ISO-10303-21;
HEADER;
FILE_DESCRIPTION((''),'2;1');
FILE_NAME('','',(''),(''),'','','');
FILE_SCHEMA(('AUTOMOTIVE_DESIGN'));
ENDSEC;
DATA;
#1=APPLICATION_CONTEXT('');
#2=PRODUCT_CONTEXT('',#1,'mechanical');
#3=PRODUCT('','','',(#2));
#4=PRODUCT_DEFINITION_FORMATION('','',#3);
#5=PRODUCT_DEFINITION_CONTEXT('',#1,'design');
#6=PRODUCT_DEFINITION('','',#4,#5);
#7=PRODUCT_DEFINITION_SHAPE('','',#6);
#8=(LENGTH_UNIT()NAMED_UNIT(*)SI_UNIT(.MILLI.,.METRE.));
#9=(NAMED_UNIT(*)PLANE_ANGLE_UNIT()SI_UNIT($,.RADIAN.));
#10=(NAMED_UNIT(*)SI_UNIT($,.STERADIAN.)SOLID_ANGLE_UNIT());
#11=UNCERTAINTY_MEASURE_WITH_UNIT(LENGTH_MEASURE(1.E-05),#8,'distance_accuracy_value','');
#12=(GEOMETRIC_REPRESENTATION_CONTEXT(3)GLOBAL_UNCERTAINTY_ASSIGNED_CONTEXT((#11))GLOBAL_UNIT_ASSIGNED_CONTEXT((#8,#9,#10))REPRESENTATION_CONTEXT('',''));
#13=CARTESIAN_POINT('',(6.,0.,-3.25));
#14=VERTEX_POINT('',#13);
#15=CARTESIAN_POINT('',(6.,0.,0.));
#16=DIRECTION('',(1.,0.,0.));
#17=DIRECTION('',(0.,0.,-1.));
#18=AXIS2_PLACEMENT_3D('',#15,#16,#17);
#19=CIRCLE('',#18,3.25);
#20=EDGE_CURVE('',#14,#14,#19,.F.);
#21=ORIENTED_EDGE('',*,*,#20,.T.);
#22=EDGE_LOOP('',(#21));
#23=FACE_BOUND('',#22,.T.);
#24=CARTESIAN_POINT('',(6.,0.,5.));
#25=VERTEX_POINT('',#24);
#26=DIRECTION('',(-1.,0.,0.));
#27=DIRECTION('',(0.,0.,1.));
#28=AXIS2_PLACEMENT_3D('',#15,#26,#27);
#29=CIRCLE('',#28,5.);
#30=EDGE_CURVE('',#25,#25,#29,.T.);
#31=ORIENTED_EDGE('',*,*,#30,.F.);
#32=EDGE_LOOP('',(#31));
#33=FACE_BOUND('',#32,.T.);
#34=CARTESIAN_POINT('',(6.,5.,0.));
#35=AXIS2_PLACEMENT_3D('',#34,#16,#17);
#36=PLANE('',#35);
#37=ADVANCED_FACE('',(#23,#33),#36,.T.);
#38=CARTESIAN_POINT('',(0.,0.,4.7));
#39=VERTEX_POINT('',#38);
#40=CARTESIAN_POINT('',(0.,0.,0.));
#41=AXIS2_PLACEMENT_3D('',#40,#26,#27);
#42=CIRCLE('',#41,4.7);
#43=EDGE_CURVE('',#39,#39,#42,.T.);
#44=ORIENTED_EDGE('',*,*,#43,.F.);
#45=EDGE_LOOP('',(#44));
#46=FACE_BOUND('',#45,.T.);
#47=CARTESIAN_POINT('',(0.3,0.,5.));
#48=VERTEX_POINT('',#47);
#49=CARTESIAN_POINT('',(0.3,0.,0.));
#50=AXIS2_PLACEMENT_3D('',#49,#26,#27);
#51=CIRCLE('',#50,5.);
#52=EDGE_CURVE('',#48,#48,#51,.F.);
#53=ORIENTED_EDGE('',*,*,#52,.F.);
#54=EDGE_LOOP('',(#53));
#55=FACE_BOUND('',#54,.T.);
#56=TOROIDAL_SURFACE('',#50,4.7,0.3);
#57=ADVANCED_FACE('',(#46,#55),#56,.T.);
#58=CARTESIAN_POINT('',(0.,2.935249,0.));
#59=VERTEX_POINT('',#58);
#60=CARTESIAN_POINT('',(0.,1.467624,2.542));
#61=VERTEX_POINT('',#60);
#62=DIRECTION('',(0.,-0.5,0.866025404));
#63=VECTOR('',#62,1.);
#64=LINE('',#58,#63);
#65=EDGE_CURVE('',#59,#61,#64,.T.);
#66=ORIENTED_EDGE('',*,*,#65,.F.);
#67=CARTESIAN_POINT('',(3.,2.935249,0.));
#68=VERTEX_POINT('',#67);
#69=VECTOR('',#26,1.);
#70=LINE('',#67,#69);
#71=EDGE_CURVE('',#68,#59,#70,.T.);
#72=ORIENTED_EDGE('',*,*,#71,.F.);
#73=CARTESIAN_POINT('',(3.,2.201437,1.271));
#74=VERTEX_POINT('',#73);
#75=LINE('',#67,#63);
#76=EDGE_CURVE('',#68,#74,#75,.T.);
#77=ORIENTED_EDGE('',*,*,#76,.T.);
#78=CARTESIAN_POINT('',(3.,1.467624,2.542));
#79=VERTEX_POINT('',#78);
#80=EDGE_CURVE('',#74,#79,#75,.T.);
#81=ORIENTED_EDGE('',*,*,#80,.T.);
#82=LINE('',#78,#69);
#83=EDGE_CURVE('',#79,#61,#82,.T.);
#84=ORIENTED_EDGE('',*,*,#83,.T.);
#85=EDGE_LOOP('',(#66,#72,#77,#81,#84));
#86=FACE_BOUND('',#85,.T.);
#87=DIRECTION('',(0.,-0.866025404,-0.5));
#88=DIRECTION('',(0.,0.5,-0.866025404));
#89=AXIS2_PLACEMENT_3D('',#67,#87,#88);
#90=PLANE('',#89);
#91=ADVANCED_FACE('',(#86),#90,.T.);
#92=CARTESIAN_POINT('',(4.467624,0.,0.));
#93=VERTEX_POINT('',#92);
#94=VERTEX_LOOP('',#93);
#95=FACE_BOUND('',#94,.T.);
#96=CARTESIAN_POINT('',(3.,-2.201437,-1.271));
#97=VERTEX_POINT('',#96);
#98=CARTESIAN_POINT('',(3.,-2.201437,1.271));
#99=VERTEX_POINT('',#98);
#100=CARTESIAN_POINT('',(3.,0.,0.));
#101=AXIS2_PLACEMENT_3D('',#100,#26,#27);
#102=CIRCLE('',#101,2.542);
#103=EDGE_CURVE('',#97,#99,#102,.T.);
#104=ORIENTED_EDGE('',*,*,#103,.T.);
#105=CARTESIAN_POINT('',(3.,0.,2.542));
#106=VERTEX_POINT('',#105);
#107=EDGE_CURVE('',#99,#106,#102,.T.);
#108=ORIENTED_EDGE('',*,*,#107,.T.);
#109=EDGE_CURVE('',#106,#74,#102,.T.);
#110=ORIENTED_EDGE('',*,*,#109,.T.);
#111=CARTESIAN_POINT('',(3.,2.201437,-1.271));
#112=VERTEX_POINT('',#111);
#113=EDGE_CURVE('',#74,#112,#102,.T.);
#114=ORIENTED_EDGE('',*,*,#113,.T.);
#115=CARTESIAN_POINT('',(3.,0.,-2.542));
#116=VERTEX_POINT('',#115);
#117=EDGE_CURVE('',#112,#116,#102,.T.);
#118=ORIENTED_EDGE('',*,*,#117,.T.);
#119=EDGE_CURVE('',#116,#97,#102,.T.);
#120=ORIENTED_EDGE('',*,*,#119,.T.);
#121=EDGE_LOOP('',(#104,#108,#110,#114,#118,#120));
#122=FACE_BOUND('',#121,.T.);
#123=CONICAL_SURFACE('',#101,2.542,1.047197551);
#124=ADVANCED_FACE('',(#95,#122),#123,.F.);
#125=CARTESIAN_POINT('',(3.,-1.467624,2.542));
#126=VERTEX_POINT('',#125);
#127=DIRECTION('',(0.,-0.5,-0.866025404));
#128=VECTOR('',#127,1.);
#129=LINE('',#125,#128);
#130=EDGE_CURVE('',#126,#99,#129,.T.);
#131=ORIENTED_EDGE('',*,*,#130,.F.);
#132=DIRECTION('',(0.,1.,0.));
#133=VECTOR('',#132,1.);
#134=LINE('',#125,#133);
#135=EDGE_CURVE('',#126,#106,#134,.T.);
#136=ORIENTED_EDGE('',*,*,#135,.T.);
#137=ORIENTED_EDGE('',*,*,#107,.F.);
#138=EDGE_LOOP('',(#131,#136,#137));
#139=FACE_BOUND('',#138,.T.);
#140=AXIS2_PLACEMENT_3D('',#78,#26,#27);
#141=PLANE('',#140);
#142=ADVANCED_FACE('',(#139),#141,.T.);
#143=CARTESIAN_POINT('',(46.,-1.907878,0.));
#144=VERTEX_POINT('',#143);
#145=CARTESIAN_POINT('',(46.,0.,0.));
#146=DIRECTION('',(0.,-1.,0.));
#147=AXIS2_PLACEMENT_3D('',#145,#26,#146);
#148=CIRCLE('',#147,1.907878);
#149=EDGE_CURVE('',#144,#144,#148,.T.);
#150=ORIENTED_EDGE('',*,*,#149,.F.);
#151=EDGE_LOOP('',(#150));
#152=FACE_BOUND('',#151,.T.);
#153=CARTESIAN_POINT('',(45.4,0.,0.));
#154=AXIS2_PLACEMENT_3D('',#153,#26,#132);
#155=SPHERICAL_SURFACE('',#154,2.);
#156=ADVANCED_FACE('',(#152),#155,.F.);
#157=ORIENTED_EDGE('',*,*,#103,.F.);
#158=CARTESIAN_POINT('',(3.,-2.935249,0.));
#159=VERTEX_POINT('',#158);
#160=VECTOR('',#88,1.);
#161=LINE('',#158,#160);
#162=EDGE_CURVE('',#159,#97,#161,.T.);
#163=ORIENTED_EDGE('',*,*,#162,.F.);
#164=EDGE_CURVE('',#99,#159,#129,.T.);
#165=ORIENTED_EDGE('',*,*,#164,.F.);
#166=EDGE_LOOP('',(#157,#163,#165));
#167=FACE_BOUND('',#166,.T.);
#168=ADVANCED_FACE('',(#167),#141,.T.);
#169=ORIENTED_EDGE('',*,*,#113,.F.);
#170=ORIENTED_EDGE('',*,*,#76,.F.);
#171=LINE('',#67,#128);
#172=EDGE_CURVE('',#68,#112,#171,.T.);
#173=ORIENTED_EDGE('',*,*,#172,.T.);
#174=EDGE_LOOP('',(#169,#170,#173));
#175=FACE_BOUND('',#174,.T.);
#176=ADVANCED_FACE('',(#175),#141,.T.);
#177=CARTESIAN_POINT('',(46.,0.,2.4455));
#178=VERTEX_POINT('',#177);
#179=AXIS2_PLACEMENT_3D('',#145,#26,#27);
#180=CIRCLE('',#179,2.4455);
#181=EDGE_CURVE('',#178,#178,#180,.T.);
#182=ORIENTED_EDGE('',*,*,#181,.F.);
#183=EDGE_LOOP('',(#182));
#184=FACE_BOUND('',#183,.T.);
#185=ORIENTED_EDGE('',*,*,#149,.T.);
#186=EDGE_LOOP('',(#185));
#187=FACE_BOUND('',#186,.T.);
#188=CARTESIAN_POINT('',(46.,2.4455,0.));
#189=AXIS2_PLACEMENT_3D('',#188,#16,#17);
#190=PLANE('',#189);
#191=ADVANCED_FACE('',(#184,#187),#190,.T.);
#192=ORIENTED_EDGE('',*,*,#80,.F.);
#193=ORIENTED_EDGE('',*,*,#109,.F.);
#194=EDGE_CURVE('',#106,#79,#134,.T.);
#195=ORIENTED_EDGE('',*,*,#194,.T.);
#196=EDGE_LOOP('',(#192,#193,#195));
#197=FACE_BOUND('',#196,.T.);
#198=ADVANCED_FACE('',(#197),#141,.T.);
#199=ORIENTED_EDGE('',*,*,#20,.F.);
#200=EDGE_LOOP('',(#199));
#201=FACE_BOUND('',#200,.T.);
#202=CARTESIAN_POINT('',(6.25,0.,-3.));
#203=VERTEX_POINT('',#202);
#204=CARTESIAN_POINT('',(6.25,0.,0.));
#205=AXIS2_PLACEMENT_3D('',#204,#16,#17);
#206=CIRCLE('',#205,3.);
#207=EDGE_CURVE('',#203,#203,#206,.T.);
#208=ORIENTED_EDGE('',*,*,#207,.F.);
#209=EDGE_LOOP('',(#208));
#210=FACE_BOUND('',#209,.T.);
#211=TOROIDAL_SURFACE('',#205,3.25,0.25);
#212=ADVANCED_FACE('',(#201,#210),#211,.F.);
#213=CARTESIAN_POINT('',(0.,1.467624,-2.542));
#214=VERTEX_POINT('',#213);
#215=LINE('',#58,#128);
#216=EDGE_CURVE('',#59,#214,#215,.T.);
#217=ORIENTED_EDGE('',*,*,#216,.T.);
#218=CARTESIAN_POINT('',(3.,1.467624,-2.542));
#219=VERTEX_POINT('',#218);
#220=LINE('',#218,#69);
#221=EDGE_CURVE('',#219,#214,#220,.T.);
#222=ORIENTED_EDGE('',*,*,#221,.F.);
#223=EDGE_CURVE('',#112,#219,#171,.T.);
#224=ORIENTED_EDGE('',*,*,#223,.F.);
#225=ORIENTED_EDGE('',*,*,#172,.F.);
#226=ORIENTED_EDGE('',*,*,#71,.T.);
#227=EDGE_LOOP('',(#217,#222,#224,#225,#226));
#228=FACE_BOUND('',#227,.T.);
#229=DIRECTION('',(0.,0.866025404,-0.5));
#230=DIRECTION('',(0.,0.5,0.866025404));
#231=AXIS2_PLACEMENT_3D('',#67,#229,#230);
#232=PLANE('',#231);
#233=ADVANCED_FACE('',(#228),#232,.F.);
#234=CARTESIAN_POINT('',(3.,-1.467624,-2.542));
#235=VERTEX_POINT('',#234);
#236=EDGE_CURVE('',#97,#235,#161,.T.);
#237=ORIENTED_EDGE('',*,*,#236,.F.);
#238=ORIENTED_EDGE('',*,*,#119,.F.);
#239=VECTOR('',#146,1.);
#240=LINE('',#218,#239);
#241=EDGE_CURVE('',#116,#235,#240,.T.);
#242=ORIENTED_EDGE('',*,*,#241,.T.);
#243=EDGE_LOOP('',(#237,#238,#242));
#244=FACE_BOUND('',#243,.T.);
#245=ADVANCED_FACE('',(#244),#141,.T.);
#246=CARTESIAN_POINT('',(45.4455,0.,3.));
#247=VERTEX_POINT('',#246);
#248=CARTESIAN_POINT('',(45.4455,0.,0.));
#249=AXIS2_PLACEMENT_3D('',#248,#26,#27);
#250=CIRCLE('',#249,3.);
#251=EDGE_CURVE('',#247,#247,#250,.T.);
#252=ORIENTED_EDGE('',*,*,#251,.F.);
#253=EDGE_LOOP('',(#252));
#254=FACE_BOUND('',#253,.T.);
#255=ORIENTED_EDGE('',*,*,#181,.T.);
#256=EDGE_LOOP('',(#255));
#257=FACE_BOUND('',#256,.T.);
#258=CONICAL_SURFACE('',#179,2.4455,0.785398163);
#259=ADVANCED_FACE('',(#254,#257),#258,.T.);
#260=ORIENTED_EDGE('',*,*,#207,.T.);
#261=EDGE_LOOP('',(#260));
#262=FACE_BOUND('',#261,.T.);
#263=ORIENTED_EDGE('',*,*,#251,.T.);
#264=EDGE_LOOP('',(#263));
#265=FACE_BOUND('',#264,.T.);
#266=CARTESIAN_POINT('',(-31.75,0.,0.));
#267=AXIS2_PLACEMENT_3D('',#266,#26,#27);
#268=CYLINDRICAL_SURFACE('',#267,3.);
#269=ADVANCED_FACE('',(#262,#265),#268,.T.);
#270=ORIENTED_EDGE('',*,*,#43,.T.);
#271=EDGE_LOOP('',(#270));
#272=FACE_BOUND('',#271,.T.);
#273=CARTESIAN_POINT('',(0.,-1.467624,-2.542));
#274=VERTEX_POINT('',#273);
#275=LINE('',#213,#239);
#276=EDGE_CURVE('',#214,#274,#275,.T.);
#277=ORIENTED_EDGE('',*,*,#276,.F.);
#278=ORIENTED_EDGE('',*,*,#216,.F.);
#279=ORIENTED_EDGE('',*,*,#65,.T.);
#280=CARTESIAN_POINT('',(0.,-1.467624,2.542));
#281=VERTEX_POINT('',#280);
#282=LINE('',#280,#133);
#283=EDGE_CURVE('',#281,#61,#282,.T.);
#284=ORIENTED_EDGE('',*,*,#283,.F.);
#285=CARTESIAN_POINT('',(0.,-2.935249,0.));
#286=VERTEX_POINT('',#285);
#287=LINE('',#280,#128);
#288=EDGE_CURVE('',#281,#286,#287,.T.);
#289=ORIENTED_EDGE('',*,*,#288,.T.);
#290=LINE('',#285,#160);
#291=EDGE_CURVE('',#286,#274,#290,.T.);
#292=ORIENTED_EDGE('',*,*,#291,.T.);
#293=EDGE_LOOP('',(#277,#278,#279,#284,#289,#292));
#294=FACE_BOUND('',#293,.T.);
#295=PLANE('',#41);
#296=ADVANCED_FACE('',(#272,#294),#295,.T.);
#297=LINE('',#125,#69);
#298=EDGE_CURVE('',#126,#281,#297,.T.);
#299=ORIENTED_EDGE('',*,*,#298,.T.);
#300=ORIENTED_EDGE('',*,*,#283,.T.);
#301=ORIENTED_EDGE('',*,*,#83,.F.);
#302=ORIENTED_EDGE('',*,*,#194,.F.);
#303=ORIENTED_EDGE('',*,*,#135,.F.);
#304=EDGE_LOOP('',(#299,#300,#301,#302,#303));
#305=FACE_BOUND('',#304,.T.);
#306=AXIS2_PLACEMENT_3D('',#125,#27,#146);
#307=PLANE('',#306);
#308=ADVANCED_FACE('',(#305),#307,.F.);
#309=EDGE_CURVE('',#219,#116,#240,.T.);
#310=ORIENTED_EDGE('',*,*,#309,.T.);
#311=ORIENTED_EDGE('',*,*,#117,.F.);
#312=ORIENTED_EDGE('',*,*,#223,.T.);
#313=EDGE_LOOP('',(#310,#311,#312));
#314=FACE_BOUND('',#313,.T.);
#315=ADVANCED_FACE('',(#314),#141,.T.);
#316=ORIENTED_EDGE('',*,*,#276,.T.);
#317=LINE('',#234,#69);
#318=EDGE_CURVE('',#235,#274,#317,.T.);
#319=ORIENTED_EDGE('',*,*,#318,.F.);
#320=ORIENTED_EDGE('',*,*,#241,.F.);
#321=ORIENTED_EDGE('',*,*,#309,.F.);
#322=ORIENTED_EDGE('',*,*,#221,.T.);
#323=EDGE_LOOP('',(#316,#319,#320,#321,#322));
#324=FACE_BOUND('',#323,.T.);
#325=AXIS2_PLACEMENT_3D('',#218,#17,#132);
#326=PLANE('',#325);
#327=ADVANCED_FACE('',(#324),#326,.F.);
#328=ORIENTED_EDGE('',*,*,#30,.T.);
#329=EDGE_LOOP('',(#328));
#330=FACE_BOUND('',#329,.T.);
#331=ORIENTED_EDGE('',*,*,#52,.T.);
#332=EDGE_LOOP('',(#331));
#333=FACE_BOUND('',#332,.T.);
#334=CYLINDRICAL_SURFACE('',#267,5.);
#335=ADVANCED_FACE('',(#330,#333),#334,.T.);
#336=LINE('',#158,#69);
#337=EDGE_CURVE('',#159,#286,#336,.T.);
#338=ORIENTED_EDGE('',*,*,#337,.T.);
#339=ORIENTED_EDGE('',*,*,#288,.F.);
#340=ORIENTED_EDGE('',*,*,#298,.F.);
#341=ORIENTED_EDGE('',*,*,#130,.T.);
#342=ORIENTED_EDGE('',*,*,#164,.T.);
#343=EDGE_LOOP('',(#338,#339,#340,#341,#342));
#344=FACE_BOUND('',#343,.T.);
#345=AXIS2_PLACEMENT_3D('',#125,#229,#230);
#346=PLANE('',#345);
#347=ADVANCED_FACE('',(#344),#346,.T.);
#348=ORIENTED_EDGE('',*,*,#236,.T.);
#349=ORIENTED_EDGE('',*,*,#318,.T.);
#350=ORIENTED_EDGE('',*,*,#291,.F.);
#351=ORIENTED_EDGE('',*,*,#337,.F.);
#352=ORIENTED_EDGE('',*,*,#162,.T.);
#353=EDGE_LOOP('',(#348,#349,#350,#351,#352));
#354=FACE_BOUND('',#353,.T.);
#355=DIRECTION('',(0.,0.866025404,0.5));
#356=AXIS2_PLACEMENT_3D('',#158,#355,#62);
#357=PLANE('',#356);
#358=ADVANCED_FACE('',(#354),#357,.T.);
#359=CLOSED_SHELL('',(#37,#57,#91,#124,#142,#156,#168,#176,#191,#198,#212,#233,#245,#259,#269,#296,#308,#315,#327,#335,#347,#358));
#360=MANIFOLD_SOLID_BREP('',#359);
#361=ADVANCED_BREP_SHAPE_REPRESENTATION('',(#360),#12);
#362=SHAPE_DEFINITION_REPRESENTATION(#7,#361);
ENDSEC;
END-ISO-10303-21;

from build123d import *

# Parameters (mm, degrees)
FILLET1_R   = 0.25
FILLET2_R   = 0.3
HEX_2_DEPTH = 3


with BuildPart() as part:
    # BodySke → Base-Revolve (revolve)
    with BuildSketch(Plane.XY, mode=Mode.PRIVATE) as base_revolve_sk:
        Polygon((0, 0), (0, 5), (6, 5), (6, 3), (45.4455, 3), (46, 2.4455), (46, 0), align=None)
    revolve(base_revolve_sk.sketch.rotate(Axis((-31.75, 0, 0), (1, 0, 0)), 90), axis=Axis((-31.75, 0, 0), (1, 0, 0)))

    # Fillet1
    fillet1_edges = [part.edges().sort_by_distance(p)[0] for p in [
        (6, 0, -3),
    ]]
    fillet(fillet1_edges, radius=FILLET1_R)

    # Fillet2
    fillet2_edges = [part.edges().sort_by_distance(p)[0] for p in [
        (0, 0, -5),
    ]]
    fillet(fillet2_edges, radius=FILLET2_R)

    # Sketch2 → Hex-PreBroach (revolve, cut)
    with BuildSketch(Plane.XY, mode=Mode.PRIVATE) as hex_prebroach_sk:
        Polygon((0, 2.542), (3, 2.542), (4.467624384, 0), (0, 0), align=None)
    revolve(hex_prebroach_sk.sketch.rotate(Axis((0, 0, 0), (1, 0, 0)), 90), axis=Axis((0, 0, 0), (1, 0, 0)), mode=Mode.SUBTRACT)

    # Sketch3 → Hex 2 (cut)
    with BuildSketch(Plane(origin=(0, 0, 0), x_dir=(0, 0.500000000000001, 0.866025403784438), z_dir=(-1, 0, 0))):
        Polygon((1.467624384, 2.542), (-1.467624384, 2.542), (-2.935248769, 0), (-1.467624384, -2.542), (1.467624384, -2.542), (2.935248769, 0), align=None)
    extrude(amount=-HEX_2_DEPTH, mode=Mode.SUBTRACT)

    # Esquisse3 → Enlèvement de matière-Révolution1 (revolve, cut)
    with BuildSketch(Plane.XY, mode=Mode.PRIVATE) as enl_vement_de_mati_re_r_volution1_sk:
        with BuildLine():
            Line((43.4, 0), (46, 0))
            Line((46, 0), (46, -1.907878403))
            ThreePointArc((46, -1.907878403), (44.216784043, -1.61245155), (43.4, 0))
        make_face()
    revolve(enl_vement_de_mati_re_r_volution1_sk.sketch.rotate(Axis((43.4, 0, 0), (1, 0, 0)), 90), axis=Axis((43.4, 0, 0), (1, 0, 0)), mode=Mode.SUBTRACT)


solid = part.part
